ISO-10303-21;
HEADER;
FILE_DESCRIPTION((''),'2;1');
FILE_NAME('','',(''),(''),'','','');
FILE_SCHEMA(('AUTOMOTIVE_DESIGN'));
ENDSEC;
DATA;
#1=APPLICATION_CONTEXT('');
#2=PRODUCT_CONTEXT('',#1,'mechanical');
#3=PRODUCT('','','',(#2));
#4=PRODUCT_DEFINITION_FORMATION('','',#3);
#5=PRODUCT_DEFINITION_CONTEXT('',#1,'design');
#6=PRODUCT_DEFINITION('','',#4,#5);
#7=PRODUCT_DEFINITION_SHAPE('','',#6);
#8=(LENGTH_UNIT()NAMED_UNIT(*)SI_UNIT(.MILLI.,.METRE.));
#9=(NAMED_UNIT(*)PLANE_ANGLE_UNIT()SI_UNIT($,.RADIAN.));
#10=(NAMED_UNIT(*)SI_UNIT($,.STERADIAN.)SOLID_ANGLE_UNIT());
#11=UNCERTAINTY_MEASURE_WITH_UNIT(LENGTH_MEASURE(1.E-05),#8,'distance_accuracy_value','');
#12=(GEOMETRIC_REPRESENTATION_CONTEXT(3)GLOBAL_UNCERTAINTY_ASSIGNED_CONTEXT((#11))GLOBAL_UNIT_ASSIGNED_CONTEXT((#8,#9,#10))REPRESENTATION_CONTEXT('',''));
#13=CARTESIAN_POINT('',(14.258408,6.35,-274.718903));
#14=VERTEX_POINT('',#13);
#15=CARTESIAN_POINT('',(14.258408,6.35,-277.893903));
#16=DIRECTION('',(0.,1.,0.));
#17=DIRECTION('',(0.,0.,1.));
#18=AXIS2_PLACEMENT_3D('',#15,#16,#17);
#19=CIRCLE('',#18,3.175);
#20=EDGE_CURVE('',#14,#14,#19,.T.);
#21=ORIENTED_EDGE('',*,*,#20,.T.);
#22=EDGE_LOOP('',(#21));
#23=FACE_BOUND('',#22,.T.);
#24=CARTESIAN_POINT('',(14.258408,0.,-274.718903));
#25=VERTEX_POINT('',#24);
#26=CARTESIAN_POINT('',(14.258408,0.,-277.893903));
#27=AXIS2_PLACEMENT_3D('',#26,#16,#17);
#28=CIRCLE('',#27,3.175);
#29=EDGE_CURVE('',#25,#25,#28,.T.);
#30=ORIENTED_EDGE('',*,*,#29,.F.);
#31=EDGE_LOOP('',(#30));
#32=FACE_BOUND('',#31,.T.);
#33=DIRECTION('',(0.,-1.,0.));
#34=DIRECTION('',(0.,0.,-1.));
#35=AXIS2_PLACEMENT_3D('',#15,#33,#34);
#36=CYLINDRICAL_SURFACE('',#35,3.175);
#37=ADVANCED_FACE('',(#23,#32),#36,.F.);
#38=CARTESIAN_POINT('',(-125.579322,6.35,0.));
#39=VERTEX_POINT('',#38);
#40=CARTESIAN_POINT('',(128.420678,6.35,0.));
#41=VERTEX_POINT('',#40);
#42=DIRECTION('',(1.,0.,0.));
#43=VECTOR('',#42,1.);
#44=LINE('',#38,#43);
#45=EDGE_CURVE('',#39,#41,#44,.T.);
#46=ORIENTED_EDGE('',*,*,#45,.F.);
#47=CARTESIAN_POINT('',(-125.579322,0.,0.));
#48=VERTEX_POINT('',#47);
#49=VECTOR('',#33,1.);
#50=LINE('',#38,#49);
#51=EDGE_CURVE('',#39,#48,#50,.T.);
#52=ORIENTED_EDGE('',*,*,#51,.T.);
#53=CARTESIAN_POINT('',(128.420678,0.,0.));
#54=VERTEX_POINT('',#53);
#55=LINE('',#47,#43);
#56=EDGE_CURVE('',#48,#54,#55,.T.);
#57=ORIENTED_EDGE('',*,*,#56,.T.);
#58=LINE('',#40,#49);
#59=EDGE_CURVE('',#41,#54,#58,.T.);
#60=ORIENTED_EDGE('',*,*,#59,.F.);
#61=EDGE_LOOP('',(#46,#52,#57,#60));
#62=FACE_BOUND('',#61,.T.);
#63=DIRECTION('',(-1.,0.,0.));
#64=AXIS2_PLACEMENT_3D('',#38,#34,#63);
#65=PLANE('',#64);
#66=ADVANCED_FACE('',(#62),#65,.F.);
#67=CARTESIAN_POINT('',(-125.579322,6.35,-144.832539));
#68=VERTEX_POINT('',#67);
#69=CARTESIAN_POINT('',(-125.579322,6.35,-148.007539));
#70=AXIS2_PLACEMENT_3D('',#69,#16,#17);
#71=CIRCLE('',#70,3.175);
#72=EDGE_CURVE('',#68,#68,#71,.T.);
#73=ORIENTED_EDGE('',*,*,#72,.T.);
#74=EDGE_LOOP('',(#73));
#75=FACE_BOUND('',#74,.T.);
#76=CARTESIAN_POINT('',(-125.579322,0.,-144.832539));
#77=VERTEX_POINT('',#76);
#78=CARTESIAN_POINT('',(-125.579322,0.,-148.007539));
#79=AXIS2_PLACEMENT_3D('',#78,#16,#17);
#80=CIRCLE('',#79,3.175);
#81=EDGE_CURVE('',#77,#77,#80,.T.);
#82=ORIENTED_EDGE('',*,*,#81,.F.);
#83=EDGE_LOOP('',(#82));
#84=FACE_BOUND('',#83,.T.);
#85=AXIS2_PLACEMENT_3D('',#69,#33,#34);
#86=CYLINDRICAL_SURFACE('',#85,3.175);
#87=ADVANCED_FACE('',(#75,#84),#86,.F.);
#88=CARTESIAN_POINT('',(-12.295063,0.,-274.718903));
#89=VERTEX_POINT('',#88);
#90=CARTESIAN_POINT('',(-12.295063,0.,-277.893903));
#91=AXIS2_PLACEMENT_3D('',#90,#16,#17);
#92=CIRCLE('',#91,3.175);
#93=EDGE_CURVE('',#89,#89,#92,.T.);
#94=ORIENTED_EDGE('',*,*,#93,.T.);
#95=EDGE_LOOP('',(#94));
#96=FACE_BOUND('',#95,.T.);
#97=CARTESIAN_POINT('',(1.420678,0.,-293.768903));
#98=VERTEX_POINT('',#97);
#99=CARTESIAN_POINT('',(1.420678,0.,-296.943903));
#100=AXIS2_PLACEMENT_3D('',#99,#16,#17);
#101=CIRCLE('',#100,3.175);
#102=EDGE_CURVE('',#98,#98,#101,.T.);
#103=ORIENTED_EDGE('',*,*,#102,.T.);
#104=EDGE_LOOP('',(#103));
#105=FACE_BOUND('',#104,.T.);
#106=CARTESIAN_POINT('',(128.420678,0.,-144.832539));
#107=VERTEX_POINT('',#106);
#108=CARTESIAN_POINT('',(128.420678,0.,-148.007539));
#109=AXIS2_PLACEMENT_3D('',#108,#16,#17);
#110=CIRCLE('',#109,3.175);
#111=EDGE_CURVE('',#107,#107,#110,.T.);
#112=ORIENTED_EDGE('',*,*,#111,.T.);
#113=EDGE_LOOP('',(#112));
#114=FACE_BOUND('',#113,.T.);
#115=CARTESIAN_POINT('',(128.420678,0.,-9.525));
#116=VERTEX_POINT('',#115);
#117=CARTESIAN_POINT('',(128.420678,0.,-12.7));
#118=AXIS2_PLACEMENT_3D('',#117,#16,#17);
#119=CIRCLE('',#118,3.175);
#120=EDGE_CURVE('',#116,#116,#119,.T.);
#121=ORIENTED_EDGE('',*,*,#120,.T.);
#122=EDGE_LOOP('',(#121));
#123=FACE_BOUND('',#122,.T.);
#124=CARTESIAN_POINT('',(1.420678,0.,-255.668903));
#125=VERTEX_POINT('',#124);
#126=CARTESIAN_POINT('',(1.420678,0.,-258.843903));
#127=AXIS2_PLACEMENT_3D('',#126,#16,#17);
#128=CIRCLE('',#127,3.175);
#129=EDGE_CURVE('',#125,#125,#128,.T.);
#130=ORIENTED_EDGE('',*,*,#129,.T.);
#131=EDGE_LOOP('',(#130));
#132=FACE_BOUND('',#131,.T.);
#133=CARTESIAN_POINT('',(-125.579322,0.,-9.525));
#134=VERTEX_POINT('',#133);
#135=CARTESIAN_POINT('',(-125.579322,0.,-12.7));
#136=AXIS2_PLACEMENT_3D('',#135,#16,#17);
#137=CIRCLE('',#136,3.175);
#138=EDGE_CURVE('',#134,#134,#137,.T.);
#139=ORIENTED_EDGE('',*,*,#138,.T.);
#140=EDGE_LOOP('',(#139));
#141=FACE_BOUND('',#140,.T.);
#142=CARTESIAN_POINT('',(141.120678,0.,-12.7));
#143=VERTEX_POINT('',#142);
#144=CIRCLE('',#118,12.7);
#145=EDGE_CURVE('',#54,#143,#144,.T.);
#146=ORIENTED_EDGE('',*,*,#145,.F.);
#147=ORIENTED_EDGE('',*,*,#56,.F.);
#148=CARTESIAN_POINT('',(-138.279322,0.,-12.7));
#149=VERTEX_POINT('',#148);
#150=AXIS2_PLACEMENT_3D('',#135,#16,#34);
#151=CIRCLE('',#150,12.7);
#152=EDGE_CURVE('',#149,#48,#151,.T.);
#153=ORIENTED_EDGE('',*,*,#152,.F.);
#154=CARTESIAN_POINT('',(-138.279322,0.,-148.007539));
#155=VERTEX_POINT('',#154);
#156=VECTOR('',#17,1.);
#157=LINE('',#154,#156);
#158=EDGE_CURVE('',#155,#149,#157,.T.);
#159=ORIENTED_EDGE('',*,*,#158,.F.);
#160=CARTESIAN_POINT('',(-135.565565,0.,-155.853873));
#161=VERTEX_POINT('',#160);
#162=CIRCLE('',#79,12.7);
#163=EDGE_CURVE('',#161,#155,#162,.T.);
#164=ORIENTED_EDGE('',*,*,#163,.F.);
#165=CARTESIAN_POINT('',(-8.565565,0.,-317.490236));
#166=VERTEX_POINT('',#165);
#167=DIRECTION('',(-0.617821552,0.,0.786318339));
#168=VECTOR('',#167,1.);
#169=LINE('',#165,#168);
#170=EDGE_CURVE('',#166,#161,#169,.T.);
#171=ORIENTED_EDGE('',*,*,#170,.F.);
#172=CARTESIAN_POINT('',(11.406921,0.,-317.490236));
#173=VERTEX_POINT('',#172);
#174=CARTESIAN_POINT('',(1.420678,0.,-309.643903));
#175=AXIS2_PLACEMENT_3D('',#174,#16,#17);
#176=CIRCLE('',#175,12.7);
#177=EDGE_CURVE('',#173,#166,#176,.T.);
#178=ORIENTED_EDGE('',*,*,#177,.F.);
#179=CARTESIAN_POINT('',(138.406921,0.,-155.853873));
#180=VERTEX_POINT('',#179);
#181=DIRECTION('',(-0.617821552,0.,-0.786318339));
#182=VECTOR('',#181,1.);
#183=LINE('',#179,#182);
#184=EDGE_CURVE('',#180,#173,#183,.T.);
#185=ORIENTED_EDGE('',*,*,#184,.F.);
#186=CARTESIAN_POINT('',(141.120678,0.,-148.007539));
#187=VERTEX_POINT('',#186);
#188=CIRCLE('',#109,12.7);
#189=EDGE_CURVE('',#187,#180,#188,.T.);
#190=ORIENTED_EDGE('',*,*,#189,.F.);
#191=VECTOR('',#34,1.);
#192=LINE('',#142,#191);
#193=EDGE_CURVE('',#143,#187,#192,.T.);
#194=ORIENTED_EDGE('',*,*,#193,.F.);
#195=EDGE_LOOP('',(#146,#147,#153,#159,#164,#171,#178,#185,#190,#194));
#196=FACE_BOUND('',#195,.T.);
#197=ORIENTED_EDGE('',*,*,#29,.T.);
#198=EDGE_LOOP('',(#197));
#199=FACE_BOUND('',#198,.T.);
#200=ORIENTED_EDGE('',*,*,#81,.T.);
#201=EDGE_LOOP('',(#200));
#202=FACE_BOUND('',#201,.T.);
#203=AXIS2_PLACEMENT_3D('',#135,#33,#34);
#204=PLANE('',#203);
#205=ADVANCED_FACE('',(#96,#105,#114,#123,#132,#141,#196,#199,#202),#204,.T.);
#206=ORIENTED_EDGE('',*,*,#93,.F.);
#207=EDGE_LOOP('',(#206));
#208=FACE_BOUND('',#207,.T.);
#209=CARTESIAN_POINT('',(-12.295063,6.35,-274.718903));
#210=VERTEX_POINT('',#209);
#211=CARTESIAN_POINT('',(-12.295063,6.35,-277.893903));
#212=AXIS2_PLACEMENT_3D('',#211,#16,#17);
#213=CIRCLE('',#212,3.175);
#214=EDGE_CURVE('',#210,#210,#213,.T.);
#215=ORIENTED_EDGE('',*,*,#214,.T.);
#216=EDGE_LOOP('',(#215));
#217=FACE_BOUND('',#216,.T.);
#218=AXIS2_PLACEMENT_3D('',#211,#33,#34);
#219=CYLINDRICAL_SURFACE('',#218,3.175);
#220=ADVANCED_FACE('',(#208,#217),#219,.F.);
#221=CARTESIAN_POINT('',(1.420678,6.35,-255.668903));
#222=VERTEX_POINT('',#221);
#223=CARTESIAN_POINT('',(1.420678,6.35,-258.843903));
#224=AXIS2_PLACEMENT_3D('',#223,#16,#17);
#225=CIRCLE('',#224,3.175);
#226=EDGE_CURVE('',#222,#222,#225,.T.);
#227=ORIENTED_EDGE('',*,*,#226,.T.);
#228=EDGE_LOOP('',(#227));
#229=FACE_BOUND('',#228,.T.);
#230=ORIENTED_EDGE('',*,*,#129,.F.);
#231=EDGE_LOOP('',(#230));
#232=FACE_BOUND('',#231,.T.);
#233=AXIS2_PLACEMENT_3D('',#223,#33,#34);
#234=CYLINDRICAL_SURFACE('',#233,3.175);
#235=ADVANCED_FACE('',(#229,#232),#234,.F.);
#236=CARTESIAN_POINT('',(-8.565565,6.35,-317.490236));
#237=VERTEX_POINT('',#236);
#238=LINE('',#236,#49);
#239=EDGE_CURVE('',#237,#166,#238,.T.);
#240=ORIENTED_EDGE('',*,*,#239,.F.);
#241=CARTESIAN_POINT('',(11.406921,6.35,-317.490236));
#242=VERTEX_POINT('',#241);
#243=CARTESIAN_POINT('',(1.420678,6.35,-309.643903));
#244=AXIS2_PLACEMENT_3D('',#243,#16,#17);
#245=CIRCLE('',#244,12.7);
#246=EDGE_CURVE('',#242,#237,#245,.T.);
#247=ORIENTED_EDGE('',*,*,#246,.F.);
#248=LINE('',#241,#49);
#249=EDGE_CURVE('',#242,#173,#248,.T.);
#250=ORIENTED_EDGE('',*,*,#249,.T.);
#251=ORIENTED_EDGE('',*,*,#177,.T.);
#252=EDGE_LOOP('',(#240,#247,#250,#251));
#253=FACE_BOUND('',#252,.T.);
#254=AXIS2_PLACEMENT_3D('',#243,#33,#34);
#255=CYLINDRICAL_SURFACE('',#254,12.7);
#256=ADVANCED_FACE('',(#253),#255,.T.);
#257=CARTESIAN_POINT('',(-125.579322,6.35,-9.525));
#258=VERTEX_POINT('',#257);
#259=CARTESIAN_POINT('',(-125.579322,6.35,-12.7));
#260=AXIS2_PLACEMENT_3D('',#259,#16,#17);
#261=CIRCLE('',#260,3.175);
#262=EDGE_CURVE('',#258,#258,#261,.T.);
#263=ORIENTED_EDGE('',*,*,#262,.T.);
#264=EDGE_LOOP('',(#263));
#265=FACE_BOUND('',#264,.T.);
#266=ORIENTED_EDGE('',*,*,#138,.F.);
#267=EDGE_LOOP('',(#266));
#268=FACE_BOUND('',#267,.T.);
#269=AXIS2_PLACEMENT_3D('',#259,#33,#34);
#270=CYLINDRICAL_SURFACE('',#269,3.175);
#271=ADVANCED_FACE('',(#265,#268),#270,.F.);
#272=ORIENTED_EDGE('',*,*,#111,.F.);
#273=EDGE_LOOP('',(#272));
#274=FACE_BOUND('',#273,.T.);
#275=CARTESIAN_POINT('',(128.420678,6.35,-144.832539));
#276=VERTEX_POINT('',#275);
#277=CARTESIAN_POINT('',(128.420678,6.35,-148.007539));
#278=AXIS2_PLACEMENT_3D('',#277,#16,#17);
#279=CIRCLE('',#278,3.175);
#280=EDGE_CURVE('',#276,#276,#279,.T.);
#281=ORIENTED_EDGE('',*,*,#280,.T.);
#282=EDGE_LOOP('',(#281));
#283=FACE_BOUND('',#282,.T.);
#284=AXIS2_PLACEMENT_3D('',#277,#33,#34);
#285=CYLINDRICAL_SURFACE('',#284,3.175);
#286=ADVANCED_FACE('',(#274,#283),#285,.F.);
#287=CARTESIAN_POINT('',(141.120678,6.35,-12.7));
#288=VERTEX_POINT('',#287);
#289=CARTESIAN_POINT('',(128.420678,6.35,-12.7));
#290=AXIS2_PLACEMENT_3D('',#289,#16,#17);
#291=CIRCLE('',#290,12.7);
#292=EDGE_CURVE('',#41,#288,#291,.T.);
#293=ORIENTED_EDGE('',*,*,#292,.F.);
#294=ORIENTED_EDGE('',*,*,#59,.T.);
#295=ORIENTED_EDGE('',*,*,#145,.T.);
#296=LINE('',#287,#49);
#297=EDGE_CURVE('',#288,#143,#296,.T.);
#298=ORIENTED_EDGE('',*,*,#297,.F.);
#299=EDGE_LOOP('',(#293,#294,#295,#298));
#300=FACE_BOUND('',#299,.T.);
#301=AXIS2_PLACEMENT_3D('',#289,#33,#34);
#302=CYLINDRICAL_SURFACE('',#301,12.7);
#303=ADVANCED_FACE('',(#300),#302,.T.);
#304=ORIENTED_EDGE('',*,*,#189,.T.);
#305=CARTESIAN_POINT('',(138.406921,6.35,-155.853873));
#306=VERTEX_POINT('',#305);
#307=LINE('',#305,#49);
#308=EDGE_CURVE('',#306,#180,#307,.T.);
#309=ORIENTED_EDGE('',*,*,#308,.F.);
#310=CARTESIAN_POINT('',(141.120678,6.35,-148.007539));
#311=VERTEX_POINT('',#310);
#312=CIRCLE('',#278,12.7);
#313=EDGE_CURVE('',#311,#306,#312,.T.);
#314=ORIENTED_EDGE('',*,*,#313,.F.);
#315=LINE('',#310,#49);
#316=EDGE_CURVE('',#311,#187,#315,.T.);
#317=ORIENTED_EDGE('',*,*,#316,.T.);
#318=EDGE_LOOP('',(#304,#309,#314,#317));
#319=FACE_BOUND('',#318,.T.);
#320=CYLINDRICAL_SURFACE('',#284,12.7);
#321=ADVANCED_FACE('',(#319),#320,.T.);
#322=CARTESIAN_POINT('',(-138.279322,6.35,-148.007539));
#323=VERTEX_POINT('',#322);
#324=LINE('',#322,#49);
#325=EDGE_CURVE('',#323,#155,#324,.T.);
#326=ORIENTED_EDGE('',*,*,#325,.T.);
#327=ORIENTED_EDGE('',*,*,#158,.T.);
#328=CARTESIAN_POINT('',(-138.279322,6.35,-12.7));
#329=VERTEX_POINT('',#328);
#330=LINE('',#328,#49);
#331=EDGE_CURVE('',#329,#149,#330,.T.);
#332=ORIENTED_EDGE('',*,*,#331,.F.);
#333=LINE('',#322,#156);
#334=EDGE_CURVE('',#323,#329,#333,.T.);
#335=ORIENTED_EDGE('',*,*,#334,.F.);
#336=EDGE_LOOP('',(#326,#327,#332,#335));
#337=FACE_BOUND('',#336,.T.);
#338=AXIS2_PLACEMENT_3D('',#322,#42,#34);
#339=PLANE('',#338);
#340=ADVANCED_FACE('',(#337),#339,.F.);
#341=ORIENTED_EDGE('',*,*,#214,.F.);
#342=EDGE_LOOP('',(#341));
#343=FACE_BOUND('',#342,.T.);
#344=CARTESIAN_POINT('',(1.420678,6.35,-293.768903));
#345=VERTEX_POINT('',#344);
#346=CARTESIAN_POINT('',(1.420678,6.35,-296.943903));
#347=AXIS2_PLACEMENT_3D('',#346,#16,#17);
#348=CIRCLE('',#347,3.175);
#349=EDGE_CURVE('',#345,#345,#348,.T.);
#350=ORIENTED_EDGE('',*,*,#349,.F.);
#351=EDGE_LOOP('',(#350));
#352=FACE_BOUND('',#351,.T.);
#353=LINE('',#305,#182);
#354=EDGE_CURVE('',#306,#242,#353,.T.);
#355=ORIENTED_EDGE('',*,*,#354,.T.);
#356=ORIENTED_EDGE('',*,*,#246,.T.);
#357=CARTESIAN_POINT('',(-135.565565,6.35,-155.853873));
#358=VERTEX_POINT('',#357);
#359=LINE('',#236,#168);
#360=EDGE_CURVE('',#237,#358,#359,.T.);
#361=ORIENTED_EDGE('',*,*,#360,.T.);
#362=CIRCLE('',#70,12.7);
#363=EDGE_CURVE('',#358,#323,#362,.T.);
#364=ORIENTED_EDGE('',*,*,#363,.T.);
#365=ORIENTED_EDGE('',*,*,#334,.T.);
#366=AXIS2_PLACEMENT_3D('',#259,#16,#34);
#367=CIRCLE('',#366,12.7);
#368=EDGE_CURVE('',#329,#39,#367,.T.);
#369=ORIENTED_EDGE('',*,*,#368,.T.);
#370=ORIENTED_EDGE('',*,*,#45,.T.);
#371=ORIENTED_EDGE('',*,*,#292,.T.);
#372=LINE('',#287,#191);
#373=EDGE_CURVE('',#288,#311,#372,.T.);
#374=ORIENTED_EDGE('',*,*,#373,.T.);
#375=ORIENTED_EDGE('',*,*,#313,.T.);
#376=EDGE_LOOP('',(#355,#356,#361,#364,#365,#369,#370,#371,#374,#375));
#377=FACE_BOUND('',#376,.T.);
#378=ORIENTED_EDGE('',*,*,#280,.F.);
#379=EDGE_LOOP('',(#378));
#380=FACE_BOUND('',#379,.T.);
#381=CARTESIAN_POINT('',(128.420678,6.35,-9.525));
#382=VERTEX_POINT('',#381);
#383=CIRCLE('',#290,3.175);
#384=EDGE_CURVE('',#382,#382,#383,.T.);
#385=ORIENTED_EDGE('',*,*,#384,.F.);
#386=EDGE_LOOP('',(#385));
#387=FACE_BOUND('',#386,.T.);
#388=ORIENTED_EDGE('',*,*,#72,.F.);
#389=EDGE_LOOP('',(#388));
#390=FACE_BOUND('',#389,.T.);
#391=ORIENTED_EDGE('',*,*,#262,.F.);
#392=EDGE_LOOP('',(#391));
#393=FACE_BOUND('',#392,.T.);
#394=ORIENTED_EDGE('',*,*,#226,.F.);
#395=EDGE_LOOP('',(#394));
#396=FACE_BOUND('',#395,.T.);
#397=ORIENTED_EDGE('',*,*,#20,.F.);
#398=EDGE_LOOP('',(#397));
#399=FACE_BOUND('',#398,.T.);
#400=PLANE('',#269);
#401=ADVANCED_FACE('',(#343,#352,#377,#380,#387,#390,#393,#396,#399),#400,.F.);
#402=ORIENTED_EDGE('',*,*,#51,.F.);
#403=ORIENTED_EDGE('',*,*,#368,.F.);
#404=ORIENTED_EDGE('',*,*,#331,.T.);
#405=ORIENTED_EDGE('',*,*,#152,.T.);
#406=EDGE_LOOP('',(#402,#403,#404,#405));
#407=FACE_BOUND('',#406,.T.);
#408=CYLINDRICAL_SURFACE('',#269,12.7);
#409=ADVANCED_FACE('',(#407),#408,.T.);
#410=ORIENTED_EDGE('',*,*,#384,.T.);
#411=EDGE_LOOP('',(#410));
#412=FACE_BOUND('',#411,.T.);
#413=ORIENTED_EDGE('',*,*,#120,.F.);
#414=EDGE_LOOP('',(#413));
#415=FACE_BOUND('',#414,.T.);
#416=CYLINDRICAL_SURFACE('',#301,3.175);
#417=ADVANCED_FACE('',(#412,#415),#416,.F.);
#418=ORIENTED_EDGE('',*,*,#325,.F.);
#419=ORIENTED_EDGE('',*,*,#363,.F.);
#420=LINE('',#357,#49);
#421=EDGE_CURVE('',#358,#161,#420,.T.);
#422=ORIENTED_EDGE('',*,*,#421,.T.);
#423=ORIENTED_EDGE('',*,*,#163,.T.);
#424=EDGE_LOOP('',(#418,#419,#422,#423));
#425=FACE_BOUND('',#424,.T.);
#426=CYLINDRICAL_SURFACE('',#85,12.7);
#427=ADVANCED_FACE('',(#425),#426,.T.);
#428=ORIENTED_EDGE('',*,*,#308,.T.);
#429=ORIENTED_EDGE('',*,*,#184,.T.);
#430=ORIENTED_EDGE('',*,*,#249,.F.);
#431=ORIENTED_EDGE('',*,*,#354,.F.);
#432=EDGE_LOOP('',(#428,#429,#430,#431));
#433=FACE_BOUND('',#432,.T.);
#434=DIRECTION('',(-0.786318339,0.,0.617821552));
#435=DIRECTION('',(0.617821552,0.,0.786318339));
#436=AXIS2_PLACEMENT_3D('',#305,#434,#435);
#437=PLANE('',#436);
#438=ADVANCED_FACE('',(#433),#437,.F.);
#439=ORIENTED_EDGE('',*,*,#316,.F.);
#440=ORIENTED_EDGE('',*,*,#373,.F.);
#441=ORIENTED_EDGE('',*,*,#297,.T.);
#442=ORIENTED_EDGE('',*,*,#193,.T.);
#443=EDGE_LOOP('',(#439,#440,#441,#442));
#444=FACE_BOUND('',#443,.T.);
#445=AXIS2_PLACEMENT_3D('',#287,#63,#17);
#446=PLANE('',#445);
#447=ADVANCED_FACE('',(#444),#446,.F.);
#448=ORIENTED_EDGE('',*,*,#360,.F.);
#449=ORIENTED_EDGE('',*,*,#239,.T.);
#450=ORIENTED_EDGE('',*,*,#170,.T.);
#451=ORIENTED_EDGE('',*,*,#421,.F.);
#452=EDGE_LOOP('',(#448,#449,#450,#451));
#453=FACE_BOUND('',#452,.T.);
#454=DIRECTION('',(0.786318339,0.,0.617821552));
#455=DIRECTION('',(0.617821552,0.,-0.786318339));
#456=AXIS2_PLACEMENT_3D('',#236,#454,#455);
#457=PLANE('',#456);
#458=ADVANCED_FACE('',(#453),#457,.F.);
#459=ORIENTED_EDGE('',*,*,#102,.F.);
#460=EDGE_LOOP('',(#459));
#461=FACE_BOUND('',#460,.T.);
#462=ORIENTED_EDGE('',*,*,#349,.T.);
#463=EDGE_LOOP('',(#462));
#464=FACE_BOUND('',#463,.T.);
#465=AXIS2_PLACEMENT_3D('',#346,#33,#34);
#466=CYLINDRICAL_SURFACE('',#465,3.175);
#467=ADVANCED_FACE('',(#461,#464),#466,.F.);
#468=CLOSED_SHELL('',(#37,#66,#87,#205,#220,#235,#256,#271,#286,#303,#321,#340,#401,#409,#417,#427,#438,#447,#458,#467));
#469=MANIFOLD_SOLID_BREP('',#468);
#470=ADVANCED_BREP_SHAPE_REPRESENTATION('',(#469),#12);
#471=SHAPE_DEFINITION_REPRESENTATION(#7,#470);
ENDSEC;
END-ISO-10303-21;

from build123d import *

# Parameters (mm, degrees)
SKETCH1_R           = 3.175
BOSS_EXTRUDE2_DEPTH = 6.35


with BuildPart() as part:
    # Sketch1 → Boss-Extrude2 (new body)
    with BuildSketch(Plane(origin=(0, 0, 0), x_dir=(1, 0, 0), z_dir=(0, 1, 0))):
        with BuildLine():
            Line((-125.579322034, 0), (128.420677966, 0))
            ThreePointArc((128.420677966, 0), (137.400934087, 3.719743879), (141.120677966, 12.7))
            Line((141.120677966, 12.7), (141.120677966, 148.007538959))
            ThreePointArc((141.120677966, 148.007538959), (140.423079494, 152.158726448), (138.406920869, 155.853872669))
            Line((138.406920869, 155.853872669), (11.406920869, 317.490236305))
            ThreePointArc((11.406920869, 317.490236305), (1.420677966, 322.343902596), (-8.565564937, 317.490236305))
            Line((-8.565564937, 317.490236305), (-135.565564937, 155.853872669))
            ThreePointArc((-135.565564937, 155.853872669), (-137.581723562, 152.158726448), (-138.279322034, 148.007538959))
            Line((-138.279322034, 148.007538959), (-138.279322034, 12.7))
            ThreePointArc((-138.279322034, 12.7), (-134.559578155, 3.719743879), (-125.579322034, 0))
        make_face()
        with Locations(Location((1.420677966, 296.943902596, 0), (0, 0, 270))):
            Circle(SKETCH1_R, mode=Mode.SUBTRACT)
        with Locations(Location((-12.295062697, 277.893902596, 0), (0, 0, 270))):
            Circle(SKETCH1_R, mode=Mode.SUBTRACT)
        with Locations(Location((14.258408226, 277.893902596, 0), (0, 0, 270))):
            Circle(SKETCH1_R, mode=Mode.SUBTRACT)
        with Locations(Location((1.420677966, 258.843902596, 0), (0, 0, 270))):
            Circle(SKETCH1_R, mode=Mode.SUBTRACT)
        with Locations(Location((-125.579322034, 148.007538959, 0), (0, 0, 270))):
            Circle(SKETCH1_R, mode=Mode.SUBTRACT)
        with Locations(Location((128.420677966, 148.007538959, 0), (0, 0, 270))):
            Circle(SKETCH1_R, mode=Mode.SUBTRACT)
        with Locations(Location((128.420677966, 12.7, 0), (0, 0, 270))):
            Circle(SKETCH1_R, mode=Mode.SUBTRACT)
        with Locations(Location((-125.579322034, 12.7, 0), (0, 0, 270))):
            Circle(SKETCH1_R, mode=Mode.SUBTRACT)
    extrude(amount=BOSS_EXTRUDE2_DEPTH)


solid = part.part
